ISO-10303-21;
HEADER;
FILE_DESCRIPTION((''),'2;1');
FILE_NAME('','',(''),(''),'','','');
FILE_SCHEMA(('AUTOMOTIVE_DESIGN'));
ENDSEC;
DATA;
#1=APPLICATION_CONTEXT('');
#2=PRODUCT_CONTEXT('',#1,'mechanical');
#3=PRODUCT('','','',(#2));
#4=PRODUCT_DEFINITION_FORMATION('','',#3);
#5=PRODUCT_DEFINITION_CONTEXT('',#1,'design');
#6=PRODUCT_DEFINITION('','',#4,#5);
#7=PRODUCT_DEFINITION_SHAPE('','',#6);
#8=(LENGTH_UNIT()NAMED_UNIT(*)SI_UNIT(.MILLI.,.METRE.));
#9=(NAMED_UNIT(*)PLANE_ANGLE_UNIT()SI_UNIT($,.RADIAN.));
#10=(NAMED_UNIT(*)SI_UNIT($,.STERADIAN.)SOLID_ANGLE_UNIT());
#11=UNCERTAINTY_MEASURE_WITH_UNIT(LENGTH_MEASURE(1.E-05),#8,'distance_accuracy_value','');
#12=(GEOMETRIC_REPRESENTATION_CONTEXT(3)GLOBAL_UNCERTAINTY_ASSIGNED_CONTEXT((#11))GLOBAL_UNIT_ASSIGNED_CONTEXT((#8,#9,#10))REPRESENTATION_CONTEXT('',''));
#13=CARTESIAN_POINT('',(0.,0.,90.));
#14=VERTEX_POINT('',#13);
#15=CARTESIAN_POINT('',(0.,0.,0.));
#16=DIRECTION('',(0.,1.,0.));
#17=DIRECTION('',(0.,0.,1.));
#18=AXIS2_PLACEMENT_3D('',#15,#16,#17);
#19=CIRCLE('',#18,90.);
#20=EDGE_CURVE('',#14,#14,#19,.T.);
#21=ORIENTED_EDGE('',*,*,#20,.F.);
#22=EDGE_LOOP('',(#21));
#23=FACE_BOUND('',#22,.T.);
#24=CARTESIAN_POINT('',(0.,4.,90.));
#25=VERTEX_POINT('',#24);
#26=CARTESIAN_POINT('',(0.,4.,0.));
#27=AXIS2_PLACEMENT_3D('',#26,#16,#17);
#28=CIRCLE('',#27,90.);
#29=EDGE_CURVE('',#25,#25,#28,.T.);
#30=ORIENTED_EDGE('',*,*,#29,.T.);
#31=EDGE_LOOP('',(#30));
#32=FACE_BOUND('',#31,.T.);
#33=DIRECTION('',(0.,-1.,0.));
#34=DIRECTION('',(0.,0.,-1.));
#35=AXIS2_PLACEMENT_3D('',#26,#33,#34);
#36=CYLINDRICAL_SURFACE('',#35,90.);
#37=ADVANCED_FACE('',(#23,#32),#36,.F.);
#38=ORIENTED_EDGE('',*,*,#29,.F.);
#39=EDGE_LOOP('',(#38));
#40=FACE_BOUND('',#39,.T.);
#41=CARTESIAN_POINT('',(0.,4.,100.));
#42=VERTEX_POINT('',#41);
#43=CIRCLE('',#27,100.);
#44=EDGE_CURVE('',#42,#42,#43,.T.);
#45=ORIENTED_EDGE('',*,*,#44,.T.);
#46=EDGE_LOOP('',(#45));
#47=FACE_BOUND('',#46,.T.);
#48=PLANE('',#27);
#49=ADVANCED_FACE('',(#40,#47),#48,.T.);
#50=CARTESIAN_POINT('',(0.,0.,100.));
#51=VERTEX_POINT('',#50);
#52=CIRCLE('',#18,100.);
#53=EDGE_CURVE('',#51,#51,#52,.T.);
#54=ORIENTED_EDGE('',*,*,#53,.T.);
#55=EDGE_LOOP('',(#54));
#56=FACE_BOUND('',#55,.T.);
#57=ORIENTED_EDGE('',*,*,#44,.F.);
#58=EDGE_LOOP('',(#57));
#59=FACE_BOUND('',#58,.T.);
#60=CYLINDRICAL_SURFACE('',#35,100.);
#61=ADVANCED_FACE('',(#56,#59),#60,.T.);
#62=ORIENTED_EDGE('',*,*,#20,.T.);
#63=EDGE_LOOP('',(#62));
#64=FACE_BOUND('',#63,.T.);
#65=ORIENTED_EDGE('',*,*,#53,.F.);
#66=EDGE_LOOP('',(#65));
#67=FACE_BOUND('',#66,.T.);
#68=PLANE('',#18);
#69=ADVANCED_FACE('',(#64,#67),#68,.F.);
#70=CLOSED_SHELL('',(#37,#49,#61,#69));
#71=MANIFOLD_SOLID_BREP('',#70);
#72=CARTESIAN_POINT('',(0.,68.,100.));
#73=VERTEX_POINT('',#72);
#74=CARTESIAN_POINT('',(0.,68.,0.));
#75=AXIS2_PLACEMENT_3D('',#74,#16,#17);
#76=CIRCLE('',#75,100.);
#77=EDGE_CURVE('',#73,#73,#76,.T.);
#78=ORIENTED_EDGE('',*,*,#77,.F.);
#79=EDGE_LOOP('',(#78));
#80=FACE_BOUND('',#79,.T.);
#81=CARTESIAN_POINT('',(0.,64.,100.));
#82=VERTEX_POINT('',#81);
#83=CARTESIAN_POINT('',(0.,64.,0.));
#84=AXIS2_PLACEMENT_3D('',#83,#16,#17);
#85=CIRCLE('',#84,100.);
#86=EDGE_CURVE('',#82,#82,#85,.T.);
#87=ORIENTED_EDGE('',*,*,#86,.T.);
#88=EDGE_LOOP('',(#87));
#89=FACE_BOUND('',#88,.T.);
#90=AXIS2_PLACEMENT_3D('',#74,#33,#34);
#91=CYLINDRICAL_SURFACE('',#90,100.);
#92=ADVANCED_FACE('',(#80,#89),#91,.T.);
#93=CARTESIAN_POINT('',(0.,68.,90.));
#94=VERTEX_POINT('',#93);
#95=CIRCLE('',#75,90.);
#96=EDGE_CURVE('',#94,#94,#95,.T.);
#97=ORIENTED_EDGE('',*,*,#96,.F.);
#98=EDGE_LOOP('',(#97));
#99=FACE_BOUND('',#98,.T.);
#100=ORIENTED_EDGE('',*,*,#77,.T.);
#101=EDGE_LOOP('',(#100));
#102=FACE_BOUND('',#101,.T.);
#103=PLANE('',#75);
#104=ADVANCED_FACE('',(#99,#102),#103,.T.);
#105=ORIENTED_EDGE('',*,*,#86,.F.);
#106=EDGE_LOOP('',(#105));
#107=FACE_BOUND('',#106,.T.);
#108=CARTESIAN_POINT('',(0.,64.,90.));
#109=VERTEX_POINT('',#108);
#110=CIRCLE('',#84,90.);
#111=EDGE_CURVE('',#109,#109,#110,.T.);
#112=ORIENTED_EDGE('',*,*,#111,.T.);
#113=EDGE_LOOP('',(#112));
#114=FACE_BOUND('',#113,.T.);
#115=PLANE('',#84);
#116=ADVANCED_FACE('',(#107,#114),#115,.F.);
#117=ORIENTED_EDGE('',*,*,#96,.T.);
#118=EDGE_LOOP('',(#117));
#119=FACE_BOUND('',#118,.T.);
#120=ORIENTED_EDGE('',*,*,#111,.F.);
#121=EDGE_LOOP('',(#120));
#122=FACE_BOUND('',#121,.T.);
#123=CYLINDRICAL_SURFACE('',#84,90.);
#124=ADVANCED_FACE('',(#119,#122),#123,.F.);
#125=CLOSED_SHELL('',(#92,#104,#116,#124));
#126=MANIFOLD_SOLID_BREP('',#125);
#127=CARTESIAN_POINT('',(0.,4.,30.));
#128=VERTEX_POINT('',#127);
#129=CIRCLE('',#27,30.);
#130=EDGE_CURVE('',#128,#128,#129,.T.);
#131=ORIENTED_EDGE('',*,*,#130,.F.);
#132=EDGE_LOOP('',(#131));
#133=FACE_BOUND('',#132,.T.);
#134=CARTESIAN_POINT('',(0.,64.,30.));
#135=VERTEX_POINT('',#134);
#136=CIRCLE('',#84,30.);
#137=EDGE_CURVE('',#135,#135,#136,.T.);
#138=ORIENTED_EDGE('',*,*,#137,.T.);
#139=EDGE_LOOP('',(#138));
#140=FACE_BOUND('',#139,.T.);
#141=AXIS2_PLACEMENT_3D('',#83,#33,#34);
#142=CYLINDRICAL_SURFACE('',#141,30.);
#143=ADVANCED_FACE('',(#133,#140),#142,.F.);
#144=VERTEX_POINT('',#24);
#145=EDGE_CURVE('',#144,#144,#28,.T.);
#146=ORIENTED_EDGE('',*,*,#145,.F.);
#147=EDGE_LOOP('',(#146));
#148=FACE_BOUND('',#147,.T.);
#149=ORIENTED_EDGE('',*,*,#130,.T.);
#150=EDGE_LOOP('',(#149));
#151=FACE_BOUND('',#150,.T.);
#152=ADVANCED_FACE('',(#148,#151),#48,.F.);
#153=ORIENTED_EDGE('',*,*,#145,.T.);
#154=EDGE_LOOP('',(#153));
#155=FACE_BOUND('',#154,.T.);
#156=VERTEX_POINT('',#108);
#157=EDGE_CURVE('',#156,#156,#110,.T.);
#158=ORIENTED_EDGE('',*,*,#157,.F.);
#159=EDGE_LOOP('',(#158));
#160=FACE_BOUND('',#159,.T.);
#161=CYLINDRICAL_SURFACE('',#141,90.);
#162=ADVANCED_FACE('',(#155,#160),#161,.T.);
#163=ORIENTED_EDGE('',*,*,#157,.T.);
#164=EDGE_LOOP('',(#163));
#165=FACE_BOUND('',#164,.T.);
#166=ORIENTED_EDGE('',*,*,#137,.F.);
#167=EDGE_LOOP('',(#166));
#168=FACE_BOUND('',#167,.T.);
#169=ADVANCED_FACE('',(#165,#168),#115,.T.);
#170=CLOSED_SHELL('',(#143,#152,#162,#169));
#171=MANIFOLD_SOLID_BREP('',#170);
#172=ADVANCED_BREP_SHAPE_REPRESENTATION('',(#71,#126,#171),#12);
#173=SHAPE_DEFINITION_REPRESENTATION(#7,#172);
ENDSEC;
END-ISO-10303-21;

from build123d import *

# Parameters (mm, degrees)
SKETCH1_R           = 100
SKETCH1_R_2         = 90
BOSS_EXTRUDE1_DEPTH = 4
SKETCH2_R           = 90
SKETCH2_R_2         = 30
BOSS_EXTRUDE2_DEPTH = 60
SKETCH3_R           = 100
SKETCH3_R_2         = 30
BOSS_EXTRUDE3_DEPTH = 4
CUT_EXTRUDE1_START  = -4
SKETCH4_R           = 90
CUT_EXTRUDE1_DEPTH  = 4


with BuildPart() as part:
    # Sketch1 → Boss-Extrude1 (new body)
    with BuildSketch(Plane(origin=(0, 0, 0), x_dir=(1, 0, 0), z_dir=(0, 1, 0))):
        with Locations(Location((0, 0, 0), (0, 0, 270))):
            Circle(SKETCH1_R)
        with Locations(Location((0, 0, 0), (0, 0, 270))):
            Circle(SKETCH1_R_2, mode=Mode.SUBTRACT)
    extrude(amount=BOSS_EXTRUDE1_DEPTH)


with BuildPart() as body_2:
    # Sketch2 → Boss-Extrude2 (new body)
    with BuildSketch(Plane(origin=(0, 4, 0), x_dir=(1, 0, 0), z_dir=(0, 1, 0))):
        with Locations(Location((0, 0, 0), (0, 0, 270))):
            Circle(SKETCH2_R)
        with Locations(Location((0, 0, 0), (0, 0, 270))):
            Circle(SKETCH2_R_2, mode=Mode.SUBTRACT)
    extrude(amount=BOSS_EXTRUDE2_DEPTH)

    # Sketch3 → Boss-Extrude3 (add)
    with BuildSketch(Plane(origin=(0, 64, 0), x_dir=(1, 0, 0), z_dir=(0, 1, 0))):
        with Locations(Location((0, 0, 0), (0, 0, 270))):
            Circle(SKETCH3_R)
        with Locations(Location((0, 0, 0), (0, 0, 270))):
            Circle(SKETCH3_R_2, mode=Mode.SUBTRACT)
    extrude(amount=BOSS_EXTRUDE3_DEPTH)

    # Sketch4 → Cut-Extrude1 (cut)
    with BuildSketch(Plane(origin=(0, 68, 0), x_dir=(1, 0, 0), z_dir=(0, 1, 0)).offset(CUT_EXTRUDE1_START)):
        with Locations(Location((0, 0, 0), (0, 0, 270))):
            Circle(SKETCH4_R)
    extrude(amount=CUT_EXTRUDE1_DEPTH, mode=Mode.SUBTRACT)


with BuildPart() as cut_extrude1_piece_1:
    # of the separate pieces the step leaves, piece 1, a body of its own (cut_extrude1_pieces)
    add(body_2.part.solids().sort_by_distance((0, 4, 90))[0])


with BuildPart() as cut_extrude1_piece_2:
    # of the separate pieces the step leaves, piece 2, a body of its own (cut_extrude1_pieces)
    add(body_2.part.solids().sort_by_distance((0, 64, 100))[0])


solid = Compound([part.part, cut_extrude1_piece_1.part, cut_extrude1_piece_2.part])
